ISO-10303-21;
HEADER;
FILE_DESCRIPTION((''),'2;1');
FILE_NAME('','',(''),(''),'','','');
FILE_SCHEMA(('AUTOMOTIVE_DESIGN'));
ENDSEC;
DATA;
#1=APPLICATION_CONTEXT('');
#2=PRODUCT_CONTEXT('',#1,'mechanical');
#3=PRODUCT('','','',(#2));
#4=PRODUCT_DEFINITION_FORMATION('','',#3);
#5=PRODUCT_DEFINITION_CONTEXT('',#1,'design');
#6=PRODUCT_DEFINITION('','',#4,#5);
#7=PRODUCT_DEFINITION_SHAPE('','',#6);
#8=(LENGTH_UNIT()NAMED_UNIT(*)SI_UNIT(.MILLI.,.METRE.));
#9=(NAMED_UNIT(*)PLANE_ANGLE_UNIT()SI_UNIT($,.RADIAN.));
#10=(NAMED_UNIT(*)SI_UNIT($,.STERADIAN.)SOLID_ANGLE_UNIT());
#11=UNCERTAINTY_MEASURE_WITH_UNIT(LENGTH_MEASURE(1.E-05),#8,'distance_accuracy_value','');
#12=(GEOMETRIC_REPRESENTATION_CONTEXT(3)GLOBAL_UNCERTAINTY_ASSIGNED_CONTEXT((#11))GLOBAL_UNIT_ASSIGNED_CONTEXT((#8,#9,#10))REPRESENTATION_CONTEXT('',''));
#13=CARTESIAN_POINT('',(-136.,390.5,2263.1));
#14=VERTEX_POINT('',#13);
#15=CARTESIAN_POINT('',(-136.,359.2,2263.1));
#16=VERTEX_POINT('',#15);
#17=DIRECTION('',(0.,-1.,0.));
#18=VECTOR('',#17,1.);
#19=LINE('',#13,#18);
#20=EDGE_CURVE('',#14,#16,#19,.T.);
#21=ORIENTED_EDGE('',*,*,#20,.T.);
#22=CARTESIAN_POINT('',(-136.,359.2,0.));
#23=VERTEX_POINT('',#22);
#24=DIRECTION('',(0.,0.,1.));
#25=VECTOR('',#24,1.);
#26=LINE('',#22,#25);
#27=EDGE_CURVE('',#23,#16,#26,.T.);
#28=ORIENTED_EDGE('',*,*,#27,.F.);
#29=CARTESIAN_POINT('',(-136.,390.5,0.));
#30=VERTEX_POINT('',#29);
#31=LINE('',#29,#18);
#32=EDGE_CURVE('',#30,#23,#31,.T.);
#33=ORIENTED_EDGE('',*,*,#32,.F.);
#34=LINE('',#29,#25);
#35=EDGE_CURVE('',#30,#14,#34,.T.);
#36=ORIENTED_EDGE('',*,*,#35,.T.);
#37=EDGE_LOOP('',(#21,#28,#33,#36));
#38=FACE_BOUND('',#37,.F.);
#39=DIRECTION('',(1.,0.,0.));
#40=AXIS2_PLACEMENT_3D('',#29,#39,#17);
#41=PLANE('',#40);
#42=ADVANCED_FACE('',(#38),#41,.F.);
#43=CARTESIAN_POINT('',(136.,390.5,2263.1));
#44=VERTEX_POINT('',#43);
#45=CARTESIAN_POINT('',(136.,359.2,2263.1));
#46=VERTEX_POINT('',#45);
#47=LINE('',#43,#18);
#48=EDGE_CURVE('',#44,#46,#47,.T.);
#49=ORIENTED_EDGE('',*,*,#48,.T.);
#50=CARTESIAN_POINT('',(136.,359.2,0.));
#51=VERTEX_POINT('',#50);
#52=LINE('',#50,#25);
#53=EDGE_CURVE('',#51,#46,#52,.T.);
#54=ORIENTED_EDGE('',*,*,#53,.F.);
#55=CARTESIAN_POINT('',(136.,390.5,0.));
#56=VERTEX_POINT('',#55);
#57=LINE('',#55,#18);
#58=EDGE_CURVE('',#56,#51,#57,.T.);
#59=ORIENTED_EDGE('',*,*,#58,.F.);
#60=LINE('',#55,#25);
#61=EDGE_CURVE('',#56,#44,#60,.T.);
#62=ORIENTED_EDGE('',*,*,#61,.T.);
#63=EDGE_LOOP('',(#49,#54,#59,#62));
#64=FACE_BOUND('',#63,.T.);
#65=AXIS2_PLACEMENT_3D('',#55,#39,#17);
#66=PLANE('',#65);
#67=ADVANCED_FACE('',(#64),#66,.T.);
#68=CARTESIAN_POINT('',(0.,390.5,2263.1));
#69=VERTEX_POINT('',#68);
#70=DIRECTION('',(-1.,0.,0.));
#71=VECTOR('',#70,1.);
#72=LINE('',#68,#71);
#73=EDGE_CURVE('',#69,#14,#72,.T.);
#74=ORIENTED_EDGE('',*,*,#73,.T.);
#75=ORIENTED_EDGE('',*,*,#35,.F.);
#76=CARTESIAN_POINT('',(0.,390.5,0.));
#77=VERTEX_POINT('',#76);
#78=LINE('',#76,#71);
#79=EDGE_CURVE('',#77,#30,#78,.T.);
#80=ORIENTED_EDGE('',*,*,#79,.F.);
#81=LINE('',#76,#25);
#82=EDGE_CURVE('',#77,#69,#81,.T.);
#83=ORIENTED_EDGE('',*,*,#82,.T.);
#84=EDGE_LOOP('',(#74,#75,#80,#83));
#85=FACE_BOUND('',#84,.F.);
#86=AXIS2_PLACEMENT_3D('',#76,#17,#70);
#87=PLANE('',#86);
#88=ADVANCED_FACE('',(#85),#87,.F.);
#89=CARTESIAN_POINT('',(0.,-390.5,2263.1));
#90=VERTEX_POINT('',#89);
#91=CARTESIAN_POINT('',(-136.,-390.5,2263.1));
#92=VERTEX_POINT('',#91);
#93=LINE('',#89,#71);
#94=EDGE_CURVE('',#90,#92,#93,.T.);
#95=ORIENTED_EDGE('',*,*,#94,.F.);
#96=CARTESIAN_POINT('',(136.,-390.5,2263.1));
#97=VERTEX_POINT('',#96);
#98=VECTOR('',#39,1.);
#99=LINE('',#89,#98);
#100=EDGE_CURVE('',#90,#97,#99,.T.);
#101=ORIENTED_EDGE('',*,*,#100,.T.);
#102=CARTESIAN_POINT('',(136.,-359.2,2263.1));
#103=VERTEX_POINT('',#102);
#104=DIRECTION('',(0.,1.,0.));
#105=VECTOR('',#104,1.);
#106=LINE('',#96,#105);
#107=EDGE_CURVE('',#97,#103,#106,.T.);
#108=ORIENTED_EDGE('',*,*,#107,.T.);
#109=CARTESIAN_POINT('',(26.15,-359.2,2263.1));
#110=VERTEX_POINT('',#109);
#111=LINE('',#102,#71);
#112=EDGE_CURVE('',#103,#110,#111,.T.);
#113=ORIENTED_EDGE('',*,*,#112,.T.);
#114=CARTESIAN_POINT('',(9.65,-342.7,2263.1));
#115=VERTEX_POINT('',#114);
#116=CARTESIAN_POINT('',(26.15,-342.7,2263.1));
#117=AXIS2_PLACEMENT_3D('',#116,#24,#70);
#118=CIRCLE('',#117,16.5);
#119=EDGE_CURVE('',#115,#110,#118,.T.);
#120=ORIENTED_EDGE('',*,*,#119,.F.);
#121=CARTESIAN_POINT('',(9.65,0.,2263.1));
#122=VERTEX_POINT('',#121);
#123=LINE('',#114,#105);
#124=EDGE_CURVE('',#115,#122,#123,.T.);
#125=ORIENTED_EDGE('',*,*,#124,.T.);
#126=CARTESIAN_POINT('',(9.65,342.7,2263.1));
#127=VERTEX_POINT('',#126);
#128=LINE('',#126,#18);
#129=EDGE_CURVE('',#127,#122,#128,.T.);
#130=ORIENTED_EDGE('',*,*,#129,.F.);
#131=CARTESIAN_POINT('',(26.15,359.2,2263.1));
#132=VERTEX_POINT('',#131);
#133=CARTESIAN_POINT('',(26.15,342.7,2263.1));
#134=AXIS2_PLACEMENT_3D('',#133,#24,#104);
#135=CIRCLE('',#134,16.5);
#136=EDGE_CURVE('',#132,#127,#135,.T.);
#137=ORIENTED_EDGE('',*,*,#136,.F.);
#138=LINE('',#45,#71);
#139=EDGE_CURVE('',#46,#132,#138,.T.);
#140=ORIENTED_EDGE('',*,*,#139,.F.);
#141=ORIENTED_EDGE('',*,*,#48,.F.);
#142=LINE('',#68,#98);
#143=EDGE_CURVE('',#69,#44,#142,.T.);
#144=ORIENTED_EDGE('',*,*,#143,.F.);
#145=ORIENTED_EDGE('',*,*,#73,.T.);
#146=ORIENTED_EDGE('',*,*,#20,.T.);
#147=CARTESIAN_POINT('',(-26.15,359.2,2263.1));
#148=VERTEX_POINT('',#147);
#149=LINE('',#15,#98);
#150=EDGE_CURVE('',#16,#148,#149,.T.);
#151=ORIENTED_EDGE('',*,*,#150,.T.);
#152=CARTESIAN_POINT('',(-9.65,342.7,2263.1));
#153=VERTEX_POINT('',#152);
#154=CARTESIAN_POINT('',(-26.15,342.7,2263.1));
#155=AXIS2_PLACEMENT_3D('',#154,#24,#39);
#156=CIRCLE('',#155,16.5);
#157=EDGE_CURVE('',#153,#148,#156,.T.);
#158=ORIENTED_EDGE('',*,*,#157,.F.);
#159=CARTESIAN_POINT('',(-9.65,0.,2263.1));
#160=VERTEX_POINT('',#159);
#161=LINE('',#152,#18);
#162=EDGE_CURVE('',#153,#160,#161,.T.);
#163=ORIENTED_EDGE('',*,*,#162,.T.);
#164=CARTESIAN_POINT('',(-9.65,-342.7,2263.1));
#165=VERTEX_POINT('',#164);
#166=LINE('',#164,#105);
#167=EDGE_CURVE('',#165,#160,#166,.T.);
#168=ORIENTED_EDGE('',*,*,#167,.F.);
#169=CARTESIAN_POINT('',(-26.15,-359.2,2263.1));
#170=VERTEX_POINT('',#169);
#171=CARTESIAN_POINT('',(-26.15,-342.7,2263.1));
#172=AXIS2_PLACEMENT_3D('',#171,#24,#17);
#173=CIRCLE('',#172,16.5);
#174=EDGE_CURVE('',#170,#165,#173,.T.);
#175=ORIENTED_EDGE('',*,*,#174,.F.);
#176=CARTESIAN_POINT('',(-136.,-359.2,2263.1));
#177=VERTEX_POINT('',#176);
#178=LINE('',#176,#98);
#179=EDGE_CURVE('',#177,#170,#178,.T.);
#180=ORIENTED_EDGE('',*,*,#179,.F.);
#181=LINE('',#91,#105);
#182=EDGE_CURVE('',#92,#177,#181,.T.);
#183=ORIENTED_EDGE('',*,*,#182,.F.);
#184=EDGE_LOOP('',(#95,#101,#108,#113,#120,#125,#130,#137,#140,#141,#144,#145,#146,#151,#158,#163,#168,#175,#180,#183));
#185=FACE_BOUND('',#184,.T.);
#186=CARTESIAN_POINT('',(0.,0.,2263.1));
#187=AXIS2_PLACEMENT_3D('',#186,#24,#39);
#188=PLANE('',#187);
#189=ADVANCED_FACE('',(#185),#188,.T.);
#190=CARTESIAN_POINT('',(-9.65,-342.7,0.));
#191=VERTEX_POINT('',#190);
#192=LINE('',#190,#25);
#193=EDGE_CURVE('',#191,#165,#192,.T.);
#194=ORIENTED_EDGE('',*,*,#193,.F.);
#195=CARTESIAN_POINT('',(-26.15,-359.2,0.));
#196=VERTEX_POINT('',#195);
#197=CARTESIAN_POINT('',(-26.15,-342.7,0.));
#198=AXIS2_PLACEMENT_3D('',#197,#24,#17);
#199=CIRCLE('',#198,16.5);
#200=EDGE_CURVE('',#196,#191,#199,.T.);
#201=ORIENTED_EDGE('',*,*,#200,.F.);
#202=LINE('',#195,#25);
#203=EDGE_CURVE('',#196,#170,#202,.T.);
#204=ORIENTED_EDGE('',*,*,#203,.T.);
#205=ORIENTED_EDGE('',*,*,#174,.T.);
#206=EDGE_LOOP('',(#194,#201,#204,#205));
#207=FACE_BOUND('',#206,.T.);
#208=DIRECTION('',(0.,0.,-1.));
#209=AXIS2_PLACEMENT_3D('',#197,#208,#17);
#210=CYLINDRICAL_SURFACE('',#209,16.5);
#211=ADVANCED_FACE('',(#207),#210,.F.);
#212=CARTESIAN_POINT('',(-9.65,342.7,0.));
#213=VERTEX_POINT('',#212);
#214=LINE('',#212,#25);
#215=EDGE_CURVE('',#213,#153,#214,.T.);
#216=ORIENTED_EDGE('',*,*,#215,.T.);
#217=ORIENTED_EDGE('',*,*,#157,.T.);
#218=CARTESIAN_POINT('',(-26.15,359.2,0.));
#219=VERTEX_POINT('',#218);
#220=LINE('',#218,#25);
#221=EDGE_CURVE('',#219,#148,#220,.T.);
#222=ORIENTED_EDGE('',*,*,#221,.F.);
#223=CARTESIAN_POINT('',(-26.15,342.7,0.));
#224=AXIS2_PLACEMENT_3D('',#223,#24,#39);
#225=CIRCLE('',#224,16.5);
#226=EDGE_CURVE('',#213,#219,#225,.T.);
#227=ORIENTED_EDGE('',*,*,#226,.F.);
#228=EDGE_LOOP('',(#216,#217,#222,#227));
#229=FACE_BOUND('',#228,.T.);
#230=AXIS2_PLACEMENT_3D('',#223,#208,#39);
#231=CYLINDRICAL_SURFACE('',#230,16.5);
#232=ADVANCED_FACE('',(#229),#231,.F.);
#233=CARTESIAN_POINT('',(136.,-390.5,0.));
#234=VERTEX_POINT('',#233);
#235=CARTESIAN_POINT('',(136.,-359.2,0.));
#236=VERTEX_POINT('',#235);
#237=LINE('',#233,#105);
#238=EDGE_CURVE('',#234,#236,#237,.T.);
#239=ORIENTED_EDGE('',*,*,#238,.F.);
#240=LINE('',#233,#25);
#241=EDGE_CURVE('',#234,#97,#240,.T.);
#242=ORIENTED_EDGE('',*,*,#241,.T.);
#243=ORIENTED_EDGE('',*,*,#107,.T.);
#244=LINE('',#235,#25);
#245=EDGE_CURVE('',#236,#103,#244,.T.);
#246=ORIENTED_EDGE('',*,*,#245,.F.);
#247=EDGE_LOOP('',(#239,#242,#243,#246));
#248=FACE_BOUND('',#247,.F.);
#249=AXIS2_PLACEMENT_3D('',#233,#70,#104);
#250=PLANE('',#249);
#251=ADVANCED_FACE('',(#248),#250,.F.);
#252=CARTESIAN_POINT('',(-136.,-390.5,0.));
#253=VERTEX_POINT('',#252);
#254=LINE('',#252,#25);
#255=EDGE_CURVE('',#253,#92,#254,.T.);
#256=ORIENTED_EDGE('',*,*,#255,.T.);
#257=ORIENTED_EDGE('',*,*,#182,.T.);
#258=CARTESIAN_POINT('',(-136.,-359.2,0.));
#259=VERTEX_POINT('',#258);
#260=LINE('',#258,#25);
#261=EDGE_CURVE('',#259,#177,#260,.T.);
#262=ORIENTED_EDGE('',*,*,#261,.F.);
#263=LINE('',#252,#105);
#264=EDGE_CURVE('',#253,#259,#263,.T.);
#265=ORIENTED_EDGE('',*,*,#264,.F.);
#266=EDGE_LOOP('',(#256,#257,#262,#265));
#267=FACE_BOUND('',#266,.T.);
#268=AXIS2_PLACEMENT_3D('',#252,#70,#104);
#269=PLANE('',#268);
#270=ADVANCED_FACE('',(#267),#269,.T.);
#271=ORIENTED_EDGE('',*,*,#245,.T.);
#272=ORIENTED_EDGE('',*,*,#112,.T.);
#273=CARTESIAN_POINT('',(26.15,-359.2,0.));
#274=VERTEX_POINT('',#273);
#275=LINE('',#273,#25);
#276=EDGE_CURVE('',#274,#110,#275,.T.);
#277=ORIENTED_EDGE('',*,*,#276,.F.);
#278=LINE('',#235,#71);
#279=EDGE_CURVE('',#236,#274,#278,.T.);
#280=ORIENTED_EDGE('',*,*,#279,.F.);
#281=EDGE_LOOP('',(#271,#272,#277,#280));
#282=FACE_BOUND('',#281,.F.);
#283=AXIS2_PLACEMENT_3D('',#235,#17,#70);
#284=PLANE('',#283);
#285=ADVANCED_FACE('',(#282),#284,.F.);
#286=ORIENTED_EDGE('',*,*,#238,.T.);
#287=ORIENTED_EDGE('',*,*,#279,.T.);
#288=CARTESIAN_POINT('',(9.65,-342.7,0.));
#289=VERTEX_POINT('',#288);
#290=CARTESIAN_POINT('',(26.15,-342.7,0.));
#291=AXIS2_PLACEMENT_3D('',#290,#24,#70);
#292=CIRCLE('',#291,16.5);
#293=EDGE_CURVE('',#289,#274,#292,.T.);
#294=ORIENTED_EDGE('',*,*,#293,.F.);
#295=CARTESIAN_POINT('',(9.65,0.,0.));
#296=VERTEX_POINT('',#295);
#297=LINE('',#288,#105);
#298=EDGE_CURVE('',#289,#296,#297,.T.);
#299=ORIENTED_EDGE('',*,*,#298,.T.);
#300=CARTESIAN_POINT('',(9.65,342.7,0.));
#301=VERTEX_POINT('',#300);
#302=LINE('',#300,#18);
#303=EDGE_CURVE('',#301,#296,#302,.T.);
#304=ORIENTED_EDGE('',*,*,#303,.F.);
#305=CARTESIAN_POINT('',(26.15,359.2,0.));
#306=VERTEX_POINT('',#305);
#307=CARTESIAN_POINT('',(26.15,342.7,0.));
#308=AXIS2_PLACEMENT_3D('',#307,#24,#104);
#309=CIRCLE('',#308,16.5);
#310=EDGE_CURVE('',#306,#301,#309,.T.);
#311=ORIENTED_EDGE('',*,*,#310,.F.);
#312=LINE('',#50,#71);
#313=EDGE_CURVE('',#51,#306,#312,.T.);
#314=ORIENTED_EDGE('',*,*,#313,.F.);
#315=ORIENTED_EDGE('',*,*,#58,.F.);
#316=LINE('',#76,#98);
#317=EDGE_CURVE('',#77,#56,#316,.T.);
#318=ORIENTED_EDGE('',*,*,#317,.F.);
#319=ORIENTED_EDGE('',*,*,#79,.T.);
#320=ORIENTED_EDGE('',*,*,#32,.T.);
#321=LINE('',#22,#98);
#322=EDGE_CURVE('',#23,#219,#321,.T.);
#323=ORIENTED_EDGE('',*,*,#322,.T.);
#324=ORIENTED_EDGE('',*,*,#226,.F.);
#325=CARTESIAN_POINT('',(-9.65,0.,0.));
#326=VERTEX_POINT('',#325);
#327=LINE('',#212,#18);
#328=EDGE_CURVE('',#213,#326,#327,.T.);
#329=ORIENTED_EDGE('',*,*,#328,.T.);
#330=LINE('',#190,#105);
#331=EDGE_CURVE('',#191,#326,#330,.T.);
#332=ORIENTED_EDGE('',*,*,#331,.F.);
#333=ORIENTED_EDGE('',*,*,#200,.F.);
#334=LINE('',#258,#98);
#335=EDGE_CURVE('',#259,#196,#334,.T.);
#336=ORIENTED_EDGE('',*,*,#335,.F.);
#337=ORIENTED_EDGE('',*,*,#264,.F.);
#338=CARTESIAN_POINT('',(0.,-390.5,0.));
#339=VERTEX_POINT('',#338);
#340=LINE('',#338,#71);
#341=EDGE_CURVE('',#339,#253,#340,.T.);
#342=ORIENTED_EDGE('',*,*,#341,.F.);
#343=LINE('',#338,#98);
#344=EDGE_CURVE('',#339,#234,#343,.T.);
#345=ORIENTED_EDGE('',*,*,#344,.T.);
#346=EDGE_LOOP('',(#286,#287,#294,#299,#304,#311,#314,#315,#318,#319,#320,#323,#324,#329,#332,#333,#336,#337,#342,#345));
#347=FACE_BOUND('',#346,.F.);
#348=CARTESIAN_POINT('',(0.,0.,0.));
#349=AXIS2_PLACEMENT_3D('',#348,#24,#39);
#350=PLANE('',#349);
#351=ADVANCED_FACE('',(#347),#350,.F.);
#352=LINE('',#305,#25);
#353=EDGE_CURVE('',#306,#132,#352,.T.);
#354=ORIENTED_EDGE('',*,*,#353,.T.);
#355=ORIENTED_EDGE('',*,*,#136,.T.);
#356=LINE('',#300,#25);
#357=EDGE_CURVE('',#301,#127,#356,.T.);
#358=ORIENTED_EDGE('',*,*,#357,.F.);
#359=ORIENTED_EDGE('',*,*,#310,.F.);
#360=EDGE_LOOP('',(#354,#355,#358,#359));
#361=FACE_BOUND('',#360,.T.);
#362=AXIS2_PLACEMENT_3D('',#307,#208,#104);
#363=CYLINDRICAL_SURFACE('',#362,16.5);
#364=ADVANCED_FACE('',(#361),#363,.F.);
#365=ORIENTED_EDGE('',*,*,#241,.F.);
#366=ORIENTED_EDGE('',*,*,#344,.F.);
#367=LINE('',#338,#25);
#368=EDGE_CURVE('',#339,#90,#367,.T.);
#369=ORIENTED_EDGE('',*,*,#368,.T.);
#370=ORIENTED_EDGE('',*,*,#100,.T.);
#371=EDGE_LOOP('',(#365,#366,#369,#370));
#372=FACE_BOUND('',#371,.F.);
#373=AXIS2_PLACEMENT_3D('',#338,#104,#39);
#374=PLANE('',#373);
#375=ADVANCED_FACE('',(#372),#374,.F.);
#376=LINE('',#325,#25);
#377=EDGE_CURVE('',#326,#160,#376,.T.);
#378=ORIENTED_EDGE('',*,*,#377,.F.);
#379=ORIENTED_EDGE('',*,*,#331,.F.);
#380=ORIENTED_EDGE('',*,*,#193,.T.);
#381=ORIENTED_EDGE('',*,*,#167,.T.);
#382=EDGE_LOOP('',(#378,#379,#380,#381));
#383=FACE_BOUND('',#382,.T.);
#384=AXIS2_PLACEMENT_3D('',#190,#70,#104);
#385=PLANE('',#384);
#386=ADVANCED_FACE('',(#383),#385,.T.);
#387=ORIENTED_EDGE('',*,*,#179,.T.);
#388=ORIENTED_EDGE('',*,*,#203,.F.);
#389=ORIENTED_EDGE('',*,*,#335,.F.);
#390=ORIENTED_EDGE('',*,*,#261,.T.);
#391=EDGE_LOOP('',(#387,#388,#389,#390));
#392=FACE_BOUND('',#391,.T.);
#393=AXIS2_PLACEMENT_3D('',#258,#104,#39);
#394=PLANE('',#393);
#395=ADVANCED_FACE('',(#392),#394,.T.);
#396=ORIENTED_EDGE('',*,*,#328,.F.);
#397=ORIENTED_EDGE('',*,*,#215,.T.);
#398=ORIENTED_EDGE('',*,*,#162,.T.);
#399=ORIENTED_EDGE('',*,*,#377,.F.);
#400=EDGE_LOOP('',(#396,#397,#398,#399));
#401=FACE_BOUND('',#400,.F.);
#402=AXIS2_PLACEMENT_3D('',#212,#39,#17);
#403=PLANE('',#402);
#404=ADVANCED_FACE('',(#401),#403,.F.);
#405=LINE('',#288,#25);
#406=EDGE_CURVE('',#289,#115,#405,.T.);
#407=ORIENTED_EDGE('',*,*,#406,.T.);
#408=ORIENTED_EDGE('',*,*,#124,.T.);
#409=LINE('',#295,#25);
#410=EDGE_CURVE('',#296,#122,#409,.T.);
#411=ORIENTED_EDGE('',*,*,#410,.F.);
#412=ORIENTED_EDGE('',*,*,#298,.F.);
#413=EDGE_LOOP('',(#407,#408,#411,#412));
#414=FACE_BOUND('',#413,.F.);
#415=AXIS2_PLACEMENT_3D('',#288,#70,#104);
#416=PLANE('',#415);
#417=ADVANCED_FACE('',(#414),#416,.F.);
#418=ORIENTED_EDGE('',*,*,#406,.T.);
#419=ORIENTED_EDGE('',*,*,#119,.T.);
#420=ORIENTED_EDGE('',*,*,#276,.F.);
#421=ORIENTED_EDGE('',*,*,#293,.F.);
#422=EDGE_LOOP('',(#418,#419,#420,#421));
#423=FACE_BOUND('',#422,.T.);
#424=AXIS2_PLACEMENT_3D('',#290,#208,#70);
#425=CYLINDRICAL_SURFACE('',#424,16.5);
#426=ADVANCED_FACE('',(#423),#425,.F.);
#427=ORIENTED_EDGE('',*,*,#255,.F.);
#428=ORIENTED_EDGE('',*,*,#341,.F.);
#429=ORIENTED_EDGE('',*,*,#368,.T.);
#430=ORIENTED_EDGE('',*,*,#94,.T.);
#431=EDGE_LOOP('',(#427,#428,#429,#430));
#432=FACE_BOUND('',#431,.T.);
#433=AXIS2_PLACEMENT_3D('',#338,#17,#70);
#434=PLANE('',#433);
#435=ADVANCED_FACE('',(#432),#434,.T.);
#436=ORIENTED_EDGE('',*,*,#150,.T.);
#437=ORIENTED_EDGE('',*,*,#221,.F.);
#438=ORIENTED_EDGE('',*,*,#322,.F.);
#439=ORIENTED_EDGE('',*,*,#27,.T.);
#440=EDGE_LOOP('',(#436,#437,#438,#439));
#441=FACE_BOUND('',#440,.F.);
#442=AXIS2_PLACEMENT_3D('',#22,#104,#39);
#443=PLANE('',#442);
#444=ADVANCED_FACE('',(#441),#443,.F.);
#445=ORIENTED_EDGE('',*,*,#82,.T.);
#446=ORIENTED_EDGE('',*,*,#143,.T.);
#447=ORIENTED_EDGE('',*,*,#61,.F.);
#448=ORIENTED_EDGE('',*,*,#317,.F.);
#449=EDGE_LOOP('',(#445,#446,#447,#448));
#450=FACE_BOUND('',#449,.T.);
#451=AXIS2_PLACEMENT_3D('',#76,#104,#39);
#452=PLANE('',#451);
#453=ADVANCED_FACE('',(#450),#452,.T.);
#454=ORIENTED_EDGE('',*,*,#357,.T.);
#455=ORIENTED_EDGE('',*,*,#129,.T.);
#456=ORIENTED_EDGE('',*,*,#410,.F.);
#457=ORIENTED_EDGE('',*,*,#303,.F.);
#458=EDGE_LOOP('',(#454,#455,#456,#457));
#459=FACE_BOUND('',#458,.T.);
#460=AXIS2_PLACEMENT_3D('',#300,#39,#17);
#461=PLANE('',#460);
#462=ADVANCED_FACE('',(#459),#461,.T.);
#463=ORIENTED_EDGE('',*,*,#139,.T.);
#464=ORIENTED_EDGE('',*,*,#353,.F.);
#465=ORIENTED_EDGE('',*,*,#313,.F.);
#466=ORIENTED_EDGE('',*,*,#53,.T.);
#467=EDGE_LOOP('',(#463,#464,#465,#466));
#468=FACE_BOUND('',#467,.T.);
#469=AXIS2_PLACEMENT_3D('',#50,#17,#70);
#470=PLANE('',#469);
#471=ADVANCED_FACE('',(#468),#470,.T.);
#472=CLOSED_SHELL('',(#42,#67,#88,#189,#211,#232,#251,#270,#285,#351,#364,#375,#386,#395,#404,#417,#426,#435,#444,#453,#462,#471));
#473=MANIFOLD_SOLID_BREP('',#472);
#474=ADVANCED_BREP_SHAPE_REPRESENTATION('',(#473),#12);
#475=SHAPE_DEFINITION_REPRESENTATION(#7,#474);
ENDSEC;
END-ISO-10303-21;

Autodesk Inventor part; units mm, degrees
ref_plane "YZ Plane" through (0, 0, 0) normal (1, 0, 0) x (0, 1, 0)
ref_plane "Start plane" through (0, 0, 0) normal (0, 0, 1) x (1, 0, 0)
ref_plane "End plane" through (0, 0, 2263.1) normal (0, 0, 1) x (1, 0, 0)
sketch "Sketch" plane through (0, 0, 0) normal (0, 0, 1) x (1, 0, 0)
  line L0 (-136, -390.5) -> (-136, -359.2)
  line L1 (-136, -359.2) -> (-26.15, -359.2)
  line L2 (-9.65, -342.7) -> (-9.65, 0)
  line L3 (-9.65, 0) -> (0, 0) construction
  line L4 (0, 0) -> (0, -390.5) construction
  line L5 (0, -390.5) -> (-136, -390.5)
  line L6 (-60, 0) -> (80, 0) construction
  line L7 (0, -60) -> (0, 80) construction
  line L8 (136, -390.5) -> (136, -359.2)
  line L9 (136, -359.2) -> (26.15, -359.2)
  line L10 (9.65, -342.7) -> (9.65, 0)
  line L11 (9.65, 0) -> (0, 0) construction
  line L12 (0, -390.5) -> (136, -390.5)
  line L13 (-136, 390.5) -> (-136, 359.2)
  line L14 (-136, 359.2) -> (-26.15, 359.2)
  line L15 (-9.65, 342.7) -> (-9.65, 0)
  line L16 (0, 390.5) -> (-136, 390.5)
  line L17 (136, 390.5) -> (136, 359.2)
  line L18 (136, 359.2) -> (26.15, 359.2)
  line L19 (0, 390.5) -> (136, 390.5)
  line L20 (9.65, 342.7) -> (9.65, 0)
  arc A0 (-9.65, 342.7) -> (-26.15, 359.2) centre (-26.15, 342.7) ccw
  arc A1 (26.15, 359.2) -> (9.65, 342.7) centre (26.15, 342.7) ccw
  arc A2 (9.65, -342.7) -> (26.15, -359.2) centre (26.15, -342.7) ccw
  arc A3 (-26.15, -359.2) -> (-9.65, -342.7) centre (-26.15, -342.7) ccw
  line L21 (0, 108) -> (0, -88) construction
  line L22 (-88, 0) -> (108, 0) construction
  point P0 (-9.65, -359.2)
  point P1 (9.65, -359.2)
  point P2 (-9.65, 359.2)
  point P3 (9.65, 359.2)
  dimension "d1" = 390.5
  dimension "d2" = 31.3
  dimension "d3" = 136
  dimension "d4" = 9.65
  dimension "d10" = 16.5
extrude "Body" add sketch "Sketch" along normal up to surface (2263.1 mm away) from surface at 0
sketch "Sketch4" plane through (0, 0, 0) normal (0, 0, 1) x (1, 0, 0)
  line L0 (0, 0) -> (10, 0)
ref_plane "Work Plane3" through (0, 0, 0) normal (0, -1, 0) x (1, 0, 0)
sketch "Sketch5" plane through (0, 0, 0) normal (0, -1, 0) x (1, 0, 0)
  line L0 (-2, 0) -> (12, 0) projected
  line L1 (-2, 2263.1) -> (12, 2263.1) projected
  dimension "d14" = 2263.1
equation "\"d1\" = 0.5 * G_H"
equation "\"d2\" = G_T1"
equation "\"d3\" = 0.5 * G_W"
equation "\"d4\" = 0.5 * G_T"
equation "\"d10\" = G_IR"
equation "\"d5\" = G_L"
equation "\"G_W\" = 272"
equation "\"G_H\" = 781"
equation "\"G_T\" = 19.3"
equation "\"G_T1\" = 31.3"
equation "\"G_IR\" = 16.5"
equation "\"G_L\" = d14"
equation "\"G_OFFSET_START\" = 0"
equation "\"G_OFFSET_END\" = 0"
equation "\"d12\" = G_OFFSET_END + B_L"
equation "\"B_L\" = 2263.1"
properties part number "AS 3679-1990 - 760 UB - 244 - 2263.1" material "Steel, Mild"
